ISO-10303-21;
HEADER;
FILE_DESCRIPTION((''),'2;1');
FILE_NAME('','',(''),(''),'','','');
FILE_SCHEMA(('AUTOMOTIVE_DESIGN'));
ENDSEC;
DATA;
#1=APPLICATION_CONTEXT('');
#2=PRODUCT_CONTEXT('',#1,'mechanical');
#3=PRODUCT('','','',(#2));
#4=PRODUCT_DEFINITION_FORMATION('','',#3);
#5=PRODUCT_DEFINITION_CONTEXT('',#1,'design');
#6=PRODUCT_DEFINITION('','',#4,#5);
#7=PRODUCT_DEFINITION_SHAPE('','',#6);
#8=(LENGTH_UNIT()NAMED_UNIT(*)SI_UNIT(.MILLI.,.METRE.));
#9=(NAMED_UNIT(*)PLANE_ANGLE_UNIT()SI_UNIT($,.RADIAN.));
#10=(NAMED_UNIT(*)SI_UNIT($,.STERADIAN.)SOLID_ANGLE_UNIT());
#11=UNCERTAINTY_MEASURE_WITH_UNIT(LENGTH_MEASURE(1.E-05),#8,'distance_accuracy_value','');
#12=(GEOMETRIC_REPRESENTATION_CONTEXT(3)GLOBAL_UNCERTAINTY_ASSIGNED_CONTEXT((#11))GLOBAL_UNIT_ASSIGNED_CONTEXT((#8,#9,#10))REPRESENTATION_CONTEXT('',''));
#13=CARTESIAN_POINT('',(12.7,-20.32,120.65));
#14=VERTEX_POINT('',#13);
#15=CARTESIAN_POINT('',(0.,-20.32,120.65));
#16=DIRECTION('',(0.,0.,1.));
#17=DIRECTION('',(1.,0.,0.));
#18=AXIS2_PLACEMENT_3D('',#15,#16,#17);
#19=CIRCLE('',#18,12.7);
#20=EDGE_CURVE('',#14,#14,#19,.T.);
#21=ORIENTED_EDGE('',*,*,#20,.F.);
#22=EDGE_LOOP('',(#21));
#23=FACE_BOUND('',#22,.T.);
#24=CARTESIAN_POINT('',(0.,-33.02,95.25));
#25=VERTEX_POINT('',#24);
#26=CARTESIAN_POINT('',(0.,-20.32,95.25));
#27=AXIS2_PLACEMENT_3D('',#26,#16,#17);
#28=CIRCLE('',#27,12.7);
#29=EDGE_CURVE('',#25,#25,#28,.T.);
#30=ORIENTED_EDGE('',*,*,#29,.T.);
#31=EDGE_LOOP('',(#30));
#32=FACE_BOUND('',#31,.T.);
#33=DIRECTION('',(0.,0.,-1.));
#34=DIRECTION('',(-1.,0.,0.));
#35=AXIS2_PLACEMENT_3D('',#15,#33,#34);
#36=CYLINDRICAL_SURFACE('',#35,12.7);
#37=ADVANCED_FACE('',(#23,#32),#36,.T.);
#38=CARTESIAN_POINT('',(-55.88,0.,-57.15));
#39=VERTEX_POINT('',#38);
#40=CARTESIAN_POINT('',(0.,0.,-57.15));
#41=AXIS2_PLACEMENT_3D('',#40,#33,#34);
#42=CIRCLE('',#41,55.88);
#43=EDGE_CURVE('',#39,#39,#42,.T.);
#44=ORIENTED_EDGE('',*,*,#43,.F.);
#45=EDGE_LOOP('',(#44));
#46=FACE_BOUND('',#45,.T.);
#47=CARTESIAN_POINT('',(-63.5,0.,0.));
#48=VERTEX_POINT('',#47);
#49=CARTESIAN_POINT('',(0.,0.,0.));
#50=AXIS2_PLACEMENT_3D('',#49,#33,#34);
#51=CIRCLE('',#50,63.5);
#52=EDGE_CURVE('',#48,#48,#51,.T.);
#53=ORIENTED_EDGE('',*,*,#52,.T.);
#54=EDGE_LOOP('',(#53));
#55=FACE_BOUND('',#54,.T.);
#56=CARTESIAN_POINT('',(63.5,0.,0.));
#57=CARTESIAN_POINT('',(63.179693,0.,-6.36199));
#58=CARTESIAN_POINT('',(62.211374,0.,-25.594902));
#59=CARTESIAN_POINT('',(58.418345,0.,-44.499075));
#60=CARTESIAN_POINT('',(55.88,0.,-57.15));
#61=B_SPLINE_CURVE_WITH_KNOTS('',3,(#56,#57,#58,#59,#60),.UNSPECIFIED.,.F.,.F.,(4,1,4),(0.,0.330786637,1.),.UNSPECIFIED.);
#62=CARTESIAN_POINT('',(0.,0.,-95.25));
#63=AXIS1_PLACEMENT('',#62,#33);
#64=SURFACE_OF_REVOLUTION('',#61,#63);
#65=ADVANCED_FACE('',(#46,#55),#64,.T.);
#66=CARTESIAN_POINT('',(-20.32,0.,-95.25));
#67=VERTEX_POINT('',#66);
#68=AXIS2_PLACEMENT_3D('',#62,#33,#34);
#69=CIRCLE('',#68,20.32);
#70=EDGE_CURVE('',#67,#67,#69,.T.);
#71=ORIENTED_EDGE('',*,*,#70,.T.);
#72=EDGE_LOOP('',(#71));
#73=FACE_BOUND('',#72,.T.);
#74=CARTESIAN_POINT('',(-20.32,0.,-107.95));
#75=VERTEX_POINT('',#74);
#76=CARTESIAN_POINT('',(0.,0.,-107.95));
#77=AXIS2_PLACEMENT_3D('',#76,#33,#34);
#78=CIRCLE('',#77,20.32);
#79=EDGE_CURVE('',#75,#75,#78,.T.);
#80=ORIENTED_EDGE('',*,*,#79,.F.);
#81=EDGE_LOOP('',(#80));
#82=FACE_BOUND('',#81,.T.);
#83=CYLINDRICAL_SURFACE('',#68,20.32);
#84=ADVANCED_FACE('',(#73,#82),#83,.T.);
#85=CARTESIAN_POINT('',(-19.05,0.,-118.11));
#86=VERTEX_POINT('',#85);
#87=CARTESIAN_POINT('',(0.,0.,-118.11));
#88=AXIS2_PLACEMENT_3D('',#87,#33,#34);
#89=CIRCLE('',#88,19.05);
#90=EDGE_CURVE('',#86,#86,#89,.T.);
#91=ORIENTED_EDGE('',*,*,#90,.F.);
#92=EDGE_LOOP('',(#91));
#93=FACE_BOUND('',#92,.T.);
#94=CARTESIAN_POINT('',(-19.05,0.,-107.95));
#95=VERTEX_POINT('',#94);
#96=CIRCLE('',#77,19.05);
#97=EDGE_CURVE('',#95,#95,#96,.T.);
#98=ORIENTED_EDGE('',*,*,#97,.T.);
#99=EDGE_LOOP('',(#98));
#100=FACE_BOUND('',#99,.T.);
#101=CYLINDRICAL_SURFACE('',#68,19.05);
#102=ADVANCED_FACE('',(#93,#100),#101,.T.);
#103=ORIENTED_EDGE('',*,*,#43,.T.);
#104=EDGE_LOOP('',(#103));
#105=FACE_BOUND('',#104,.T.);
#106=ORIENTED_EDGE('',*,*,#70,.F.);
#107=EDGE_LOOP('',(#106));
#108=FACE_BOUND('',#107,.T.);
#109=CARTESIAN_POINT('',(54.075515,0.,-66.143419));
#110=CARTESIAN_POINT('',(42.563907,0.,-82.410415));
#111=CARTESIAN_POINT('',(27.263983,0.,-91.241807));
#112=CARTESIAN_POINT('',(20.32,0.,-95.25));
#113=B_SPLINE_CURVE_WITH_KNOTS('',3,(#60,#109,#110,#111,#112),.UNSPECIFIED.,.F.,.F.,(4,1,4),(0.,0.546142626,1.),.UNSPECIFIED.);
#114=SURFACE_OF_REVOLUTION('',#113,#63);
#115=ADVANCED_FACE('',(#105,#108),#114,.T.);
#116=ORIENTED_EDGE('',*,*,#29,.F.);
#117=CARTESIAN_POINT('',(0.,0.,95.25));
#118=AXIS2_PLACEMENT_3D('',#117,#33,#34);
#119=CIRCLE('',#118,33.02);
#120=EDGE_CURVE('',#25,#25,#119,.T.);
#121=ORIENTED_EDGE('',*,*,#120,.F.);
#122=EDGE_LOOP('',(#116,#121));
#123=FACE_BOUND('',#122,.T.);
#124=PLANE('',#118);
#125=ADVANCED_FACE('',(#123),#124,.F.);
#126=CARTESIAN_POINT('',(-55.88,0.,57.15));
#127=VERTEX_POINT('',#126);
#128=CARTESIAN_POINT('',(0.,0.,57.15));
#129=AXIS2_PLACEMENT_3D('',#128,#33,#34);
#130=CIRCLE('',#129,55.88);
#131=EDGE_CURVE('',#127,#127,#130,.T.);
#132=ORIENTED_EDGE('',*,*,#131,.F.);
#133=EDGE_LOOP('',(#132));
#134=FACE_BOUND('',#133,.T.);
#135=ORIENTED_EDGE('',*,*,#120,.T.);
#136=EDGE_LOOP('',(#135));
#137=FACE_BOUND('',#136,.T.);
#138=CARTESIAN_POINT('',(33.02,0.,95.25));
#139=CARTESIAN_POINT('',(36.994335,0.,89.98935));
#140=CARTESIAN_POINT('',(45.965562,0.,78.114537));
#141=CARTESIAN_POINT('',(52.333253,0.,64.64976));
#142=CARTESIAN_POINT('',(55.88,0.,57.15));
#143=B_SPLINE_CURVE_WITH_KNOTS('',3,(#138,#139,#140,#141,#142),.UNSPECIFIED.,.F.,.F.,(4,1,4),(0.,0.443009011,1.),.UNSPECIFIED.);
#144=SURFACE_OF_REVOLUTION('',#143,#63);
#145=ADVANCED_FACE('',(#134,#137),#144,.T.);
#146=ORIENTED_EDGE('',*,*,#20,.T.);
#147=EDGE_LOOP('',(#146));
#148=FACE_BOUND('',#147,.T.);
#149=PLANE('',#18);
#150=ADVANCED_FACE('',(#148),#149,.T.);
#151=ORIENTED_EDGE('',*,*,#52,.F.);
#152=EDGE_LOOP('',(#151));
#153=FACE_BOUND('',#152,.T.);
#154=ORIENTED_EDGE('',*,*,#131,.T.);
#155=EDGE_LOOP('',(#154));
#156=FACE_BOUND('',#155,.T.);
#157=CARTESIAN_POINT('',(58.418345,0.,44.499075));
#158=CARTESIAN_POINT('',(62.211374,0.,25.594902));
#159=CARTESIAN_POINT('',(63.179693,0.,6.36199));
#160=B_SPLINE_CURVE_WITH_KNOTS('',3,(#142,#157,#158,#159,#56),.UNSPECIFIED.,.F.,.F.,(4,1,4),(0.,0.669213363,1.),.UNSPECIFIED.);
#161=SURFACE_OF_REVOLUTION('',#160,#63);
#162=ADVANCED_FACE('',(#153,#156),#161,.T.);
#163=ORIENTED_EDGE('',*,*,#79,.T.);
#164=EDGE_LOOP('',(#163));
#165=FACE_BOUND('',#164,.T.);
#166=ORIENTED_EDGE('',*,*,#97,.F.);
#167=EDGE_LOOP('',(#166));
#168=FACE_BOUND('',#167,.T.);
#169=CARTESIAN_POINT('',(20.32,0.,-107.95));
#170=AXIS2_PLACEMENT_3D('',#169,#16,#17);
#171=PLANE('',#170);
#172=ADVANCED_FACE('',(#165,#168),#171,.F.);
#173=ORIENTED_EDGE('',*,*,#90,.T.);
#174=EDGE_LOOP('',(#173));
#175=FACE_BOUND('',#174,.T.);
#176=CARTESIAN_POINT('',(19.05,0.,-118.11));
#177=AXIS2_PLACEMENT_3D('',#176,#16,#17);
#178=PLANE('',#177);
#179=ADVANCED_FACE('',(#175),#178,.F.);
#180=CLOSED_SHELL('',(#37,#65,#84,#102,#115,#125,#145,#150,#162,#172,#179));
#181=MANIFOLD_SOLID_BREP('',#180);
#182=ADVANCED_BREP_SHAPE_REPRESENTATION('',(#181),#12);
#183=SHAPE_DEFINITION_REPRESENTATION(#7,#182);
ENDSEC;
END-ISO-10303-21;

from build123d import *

# Parameters (mm, degrees)
SKETCH4_R            = 12.7
BAG_ATTACHMENT_DEPTH = 25.4


with BuildPart() as part:
    # Sketch1 → body (revolve)
    with BuildSketch(Plane(origin=(0, 0, 0), x_dir=(1, 0, 0), z_dir=(0, 1, 0))):
        with BuildLine():
            Line((0, 95.25), (0, -95.25))
            Line((0, -95.25), (33.02, -95.25))
            add(Edge.make_bspline(
                [(55.88, -57.15), (52.333253403, -64.649759535), (45.965562244, -78.114536673), (36.994334659, -89.98935048), (33.02, -95.25)],
                knots=[0, 0, 0, 0, 0.556990989, 1, 1, 1, 1], degree=3))
            add(Edge.make_bspline(
                [(55.88, -57.15), (58.418345497, -44.49907482), (62.211374207, -25.594901819), (63.179693062, -6.361990172), (63.5, 0)],
                knots=[0, 0, 0, 0, 0.669213363, 1, 1, 1, 1], degree=3))
            add(Edge.make_bspline(
                [(55.88, 57.15), (58.418345497, 44.49907482), (62.211374207, 25.594901819), (63.179693062, 6.361990172), (63.5, 0)],
                knots=[0, 0, 0, 0, 0.669213363, 1, 1, 1, 1], degree=3))
            add(Edge.make_bspline(
                [(20.32, 95.25), (27.263983104, 91.241807371), (42.563906598, 82.410414831), (54.075514966, 66.14341921), (55.88, 57.15)],
                knots=[0, 0, 0, 0, 0.453857374, 1, 1, 1, 1], degree=3))
            Line((20.32, 95.25), (20.32, 107.95))
            Line((20.32, 107.95), (19.05, 107.95))
            Line((19.05, 107.95), (19.05, 118.11))
            Line((19.05, 118.11), (0, 118.11))
            Line((0, 118.11), (0, 107.95))
            Line((0, 107.95), (0, 95.25))
        make_face()
    revolve(axis=Axis((0, 0, -95.25), (0, 0, 1)))

    # Sketch4 → bag_attachment (add)
    with BuildSketch(Plane.XY.offset(95.25)):
        with Locations((0, -20.32)):
            Circle(SKETCH4_R)
    extrude(amount=BAG_ATTACHMENT_DEPTH)


solid = part.part
